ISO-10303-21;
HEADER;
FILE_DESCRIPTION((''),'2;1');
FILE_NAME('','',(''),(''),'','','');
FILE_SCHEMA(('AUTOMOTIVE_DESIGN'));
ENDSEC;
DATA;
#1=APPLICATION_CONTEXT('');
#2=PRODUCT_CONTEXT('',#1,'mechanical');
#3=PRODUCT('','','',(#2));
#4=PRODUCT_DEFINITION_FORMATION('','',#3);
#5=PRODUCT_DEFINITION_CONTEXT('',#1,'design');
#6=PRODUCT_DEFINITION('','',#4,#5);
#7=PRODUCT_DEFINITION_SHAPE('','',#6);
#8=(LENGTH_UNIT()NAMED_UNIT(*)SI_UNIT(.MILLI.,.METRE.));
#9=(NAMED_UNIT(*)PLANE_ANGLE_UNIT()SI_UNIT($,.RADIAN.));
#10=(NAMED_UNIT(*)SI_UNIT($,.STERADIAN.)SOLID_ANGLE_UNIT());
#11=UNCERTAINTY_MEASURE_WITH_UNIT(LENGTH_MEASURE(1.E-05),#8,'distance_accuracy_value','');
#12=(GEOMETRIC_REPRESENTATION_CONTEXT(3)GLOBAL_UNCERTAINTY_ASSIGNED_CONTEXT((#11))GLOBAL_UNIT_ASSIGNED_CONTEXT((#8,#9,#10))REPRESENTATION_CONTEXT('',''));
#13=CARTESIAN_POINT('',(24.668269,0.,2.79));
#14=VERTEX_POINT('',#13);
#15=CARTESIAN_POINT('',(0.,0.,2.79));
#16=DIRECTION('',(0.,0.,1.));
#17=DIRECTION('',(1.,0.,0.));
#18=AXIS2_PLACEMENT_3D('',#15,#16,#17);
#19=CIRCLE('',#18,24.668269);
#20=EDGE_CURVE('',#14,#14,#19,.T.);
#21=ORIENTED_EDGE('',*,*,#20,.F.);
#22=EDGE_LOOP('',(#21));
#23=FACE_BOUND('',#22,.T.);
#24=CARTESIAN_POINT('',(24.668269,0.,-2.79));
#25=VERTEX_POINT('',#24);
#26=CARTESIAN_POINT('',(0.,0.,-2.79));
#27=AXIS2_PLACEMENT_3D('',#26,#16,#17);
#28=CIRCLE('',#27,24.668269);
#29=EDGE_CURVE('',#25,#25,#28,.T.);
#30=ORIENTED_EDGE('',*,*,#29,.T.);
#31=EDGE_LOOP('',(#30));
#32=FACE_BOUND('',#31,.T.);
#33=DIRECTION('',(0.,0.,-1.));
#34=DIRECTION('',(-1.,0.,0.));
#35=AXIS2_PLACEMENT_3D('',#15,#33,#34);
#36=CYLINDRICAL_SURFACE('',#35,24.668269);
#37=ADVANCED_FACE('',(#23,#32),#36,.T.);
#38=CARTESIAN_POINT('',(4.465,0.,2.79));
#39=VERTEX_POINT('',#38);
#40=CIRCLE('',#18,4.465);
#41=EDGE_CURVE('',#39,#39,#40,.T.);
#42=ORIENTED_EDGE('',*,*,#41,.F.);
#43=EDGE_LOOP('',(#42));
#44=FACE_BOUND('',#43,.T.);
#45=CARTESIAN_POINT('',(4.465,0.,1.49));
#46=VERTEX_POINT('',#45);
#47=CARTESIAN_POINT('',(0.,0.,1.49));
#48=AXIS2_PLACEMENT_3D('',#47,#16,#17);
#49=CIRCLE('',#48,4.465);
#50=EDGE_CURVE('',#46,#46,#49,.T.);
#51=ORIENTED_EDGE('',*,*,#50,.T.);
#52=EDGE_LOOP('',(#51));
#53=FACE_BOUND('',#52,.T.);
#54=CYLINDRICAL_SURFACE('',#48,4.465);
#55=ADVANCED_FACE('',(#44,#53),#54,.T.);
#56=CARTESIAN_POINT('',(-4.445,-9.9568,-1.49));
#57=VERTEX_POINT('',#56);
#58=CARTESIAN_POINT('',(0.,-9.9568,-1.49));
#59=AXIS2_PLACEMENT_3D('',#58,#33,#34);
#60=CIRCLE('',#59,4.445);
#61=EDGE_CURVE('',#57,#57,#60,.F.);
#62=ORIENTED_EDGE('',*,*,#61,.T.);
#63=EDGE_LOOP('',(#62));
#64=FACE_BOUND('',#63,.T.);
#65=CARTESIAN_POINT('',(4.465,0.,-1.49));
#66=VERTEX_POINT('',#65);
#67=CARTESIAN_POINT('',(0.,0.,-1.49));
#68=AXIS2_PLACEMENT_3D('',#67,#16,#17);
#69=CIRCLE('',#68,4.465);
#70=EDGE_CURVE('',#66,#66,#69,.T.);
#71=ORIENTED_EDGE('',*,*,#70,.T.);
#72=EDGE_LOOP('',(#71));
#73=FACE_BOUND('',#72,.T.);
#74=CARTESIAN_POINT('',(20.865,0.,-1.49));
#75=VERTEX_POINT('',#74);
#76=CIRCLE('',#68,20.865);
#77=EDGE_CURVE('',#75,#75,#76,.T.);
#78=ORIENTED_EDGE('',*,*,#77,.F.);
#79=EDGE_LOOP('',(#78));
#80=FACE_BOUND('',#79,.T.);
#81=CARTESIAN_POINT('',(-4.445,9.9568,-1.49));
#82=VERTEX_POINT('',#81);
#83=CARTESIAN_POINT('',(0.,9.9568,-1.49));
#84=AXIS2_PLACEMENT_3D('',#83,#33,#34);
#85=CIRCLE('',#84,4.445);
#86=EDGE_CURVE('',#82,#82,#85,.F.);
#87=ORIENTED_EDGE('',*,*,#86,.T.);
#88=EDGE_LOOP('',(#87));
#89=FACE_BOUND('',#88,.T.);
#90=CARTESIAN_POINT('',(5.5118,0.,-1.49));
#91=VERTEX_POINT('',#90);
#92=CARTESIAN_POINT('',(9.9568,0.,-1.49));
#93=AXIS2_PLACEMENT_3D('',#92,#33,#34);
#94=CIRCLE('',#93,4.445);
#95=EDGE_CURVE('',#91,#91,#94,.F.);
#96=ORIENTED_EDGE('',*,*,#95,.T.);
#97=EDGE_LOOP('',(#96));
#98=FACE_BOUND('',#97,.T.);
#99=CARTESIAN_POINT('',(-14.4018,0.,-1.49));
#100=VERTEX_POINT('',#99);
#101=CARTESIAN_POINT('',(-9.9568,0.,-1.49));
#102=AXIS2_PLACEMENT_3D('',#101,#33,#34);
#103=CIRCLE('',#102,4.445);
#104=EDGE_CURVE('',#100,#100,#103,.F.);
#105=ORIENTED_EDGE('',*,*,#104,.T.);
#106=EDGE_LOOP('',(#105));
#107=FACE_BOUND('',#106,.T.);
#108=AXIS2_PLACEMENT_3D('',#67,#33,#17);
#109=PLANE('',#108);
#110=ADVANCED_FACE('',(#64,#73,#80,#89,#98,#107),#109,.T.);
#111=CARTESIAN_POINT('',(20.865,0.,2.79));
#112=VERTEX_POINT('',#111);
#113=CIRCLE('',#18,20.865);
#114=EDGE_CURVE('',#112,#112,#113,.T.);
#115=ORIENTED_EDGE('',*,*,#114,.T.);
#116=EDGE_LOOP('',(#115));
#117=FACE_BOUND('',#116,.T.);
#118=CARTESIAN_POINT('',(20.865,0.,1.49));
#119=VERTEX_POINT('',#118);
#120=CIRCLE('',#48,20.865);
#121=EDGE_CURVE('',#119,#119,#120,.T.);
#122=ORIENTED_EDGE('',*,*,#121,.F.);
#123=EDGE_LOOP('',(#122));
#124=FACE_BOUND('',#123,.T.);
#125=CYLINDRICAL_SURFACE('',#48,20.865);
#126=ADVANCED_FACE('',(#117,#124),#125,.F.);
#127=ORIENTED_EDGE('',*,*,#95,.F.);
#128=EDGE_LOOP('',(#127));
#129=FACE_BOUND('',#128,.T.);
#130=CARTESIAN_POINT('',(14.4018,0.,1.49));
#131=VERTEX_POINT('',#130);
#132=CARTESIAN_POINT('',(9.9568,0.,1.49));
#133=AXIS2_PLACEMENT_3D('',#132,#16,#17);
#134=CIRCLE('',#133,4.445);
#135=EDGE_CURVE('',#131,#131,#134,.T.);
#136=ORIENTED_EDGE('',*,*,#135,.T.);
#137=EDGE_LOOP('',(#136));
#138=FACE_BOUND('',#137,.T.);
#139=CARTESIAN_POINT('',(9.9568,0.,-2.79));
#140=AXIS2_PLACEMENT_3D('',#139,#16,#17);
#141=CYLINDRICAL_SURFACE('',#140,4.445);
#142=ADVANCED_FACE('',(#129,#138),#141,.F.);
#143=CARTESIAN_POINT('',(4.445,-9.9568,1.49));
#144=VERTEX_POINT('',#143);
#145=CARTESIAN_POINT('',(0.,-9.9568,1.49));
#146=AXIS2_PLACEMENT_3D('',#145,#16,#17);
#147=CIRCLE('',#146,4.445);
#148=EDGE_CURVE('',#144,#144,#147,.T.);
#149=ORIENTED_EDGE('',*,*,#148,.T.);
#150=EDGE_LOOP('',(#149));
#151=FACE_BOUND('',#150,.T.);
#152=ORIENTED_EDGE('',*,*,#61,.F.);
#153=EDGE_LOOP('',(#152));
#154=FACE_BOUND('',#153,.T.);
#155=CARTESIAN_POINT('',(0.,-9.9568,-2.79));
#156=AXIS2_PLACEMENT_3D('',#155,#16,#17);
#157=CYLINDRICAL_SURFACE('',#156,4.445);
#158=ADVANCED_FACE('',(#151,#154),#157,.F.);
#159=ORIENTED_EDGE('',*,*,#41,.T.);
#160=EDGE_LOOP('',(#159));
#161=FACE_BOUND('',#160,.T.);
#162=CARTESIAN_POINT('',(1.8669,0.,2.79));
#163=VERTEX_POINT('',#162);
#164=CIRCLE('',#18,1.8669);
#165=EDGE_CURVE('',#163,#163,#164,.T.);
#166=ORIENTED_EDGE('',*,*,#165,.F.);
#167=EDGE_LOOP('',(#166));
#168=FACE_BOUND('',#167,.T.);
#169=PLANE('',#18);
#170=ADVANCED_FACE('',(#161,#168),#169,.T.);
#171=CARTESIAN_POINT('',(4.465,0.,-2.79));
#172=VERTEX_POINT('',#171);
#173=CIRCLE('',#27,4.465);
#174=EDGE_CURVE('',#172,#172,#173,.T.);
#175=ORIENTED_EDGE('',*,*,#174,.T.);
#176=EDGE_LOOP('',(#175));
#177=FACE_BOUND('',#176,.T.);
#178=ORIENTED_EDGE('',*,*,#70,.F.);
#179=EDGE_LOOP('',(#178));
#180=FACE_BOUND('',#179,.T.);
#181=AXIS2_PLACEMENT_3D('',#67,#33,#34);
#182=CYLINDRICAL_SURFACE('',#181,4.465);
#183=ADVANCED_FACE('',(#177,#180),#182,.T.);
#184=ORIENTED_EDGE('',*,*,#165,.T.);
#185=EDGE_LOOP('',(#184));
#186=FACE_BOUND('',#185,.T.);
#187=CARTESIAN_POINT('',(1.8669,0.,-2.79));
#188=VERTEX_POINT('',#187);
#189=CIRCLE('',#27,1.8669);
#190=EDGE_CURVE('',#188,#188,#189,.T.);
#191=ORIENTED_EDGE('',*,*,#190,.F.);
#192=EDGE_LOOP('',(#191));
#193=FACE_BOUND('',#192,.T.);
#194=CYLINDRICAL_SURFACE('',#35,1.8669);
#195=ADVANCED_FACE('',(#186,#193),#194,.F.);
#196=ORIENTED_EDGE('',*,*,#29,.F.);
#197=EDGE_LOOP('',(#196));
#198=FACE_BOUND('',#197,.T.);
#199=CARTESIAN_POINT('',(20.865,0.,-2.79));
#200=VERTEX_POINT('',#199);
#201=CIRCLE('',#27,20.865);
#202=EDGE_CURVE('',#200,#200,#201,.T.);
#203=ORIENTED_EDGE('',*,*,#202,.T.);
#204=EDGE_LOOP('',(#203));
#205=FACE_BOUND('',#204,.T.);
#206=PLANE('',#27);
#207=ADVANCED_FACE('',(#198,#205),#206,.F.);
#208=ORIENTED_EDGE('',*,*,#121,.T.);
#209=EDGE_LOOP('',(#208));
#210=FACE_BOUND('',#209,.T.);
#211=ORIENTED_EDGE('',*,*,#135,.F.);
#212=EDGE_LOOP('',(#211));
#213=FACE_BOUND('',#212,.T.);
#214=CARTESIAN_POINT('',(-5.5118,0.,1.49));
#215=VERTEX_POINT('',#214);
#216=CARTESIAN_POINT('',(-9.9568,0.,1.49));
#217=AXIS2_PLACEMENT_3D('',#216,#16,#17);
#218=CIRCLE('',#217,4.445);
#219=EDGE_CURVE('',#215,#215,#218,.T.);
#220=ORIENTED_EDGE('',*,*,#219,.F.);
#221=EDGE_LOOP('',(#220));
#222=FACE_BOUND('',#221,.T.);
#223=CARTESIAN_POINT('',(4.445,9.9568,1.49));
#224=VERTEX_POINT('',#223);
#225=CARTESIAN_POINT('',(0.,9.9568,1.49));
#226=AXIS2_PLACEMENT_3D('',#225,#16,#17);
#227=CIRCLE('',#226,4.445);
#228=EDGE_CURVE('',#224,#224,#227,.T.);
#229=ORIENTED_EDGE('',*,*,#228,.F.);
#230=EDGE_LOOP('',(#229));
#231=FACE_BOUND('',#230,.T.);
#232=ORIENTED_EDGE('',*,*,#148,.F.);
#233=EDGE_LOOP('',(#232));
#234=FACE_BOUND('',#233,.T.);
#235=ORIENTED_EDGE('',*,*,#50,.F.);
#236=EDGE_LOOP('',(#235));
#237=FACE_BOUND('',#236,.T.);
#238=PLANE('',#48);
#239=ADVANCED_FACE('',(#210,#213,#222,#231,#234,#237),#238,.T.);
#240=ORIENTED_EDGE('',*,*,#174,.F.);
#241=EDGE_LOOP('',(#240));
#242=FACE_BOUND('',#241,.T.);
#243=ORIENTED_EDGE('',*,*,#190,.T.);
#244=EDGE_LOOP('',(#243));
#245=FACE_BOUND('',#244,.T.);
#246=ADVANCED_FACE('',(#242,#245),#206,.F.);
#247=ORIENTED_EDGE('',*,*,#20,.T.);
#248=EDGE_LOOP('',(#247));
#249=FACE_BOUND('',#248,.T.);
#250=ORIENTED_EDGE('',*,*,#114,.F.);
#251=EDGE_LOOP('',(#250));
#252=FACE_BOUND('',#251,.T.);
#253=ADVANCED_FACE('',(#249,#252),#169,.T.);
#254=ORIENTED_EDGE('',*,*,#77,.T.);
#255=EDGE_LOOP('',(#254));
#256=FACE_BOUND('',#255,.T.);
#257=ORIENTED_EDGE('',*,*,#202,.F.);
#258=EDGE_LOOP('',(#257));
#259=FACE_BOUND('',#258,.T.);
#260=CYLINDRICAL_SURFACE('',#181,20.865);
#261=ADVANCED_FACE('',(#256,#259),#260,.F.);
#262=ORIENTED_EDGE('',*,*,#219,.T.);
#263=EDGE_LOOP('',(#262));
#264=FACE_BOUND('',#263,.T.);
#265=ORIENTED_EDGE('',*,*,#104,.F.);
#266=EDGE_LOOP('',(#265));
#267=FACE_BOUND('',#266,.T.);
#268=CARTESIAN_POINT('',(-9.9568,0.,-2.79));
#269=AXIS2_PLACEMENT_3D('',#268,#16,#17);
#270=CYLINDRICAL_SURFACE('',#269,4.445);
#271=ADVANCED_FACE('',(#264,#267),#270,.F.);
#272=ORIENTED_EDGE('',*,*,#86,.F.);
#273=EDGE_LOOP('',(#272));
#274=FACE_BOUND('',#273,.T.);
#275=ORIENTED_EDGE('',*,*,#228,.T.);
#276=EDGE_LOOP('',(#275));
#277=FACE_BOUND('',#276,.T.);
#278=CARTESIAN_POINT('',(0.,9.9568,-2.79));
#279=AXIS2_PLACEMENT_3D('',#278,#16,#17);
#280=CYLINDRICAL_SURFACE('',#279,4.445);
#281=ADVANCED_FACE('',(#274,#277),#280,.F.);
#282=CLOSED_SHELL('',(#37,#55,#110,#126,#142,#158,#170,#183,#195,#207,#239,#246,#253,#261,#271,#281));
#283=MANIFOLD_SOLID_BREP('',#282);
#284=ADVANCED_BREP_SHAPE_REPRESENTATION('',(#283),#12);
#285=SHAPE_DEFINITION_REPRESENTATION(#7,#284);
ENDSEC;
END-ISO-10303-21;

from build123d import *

# Parameters (mm, degrees)
SKETCH1_R           = 24.66826923
SKETCH1_R_2         = 1.8669
BOSS_EXTRUDE1_DEPTH = 2.79
SKETCH2_R           = 20.865
SKETCH2_R_2         = 4.465
CUT_EXTRUDE1_DEPTH  = 1.3
SKETCH3_R           = 4.445
CUT_EXTRUDE2_DEPTH  = 36.147765414


with BuildPart() as part:
    # Sketch1 → Boss-Extrude1 (new, symmetric)
    with BuildSketch(Plane.XY):
        Circle(SKETCH1_R)
        Circle(SKETCH1_R_2, mode=Mode.SUBTRACT)
    extrude(amount=BOSS_EXTRUDE1_DEPTH, both=True)

    # Sketch2 → Cut-Extrude1 (cut)
    with BuildSketch(Plane.XY.offset(2.79)):
        Circle(SKETCH2_R)
        Circle(SKETCH2_R_2, mode=Mode.SUBTRACT)
    cut_extrude1 = extrude(amount=-CUT_EXTRUDE1_DEPTH, mode=Mode.SUBTRACT)

    # Sketch3 → Cut-Extrude2 (cut, through all)
    with BuildSketch(Plane.XY.offset(1.49)):
        with Locations((0, 9.9568)):
            Circle(SKETCH3_R)
        with Locations((9.9568, 0)):
            Circle(SKETCH3_R)
        with Locations((0, -9.9568)):
            Circle(SKETCH3_R)
        with Locations((-9.9568, 0)):
            Circle(SKETCH3_R)
    extrude(amount=-CUT_EXTRUDE2_DEPTH, mode=Mode.SUBTRACT)

    # Mirror1: Cut-Extrude1 across plane
    add(cut_extrude1.mirror(Plane.XY), mode=Mode.SUBTRACT)


solid = part.part
